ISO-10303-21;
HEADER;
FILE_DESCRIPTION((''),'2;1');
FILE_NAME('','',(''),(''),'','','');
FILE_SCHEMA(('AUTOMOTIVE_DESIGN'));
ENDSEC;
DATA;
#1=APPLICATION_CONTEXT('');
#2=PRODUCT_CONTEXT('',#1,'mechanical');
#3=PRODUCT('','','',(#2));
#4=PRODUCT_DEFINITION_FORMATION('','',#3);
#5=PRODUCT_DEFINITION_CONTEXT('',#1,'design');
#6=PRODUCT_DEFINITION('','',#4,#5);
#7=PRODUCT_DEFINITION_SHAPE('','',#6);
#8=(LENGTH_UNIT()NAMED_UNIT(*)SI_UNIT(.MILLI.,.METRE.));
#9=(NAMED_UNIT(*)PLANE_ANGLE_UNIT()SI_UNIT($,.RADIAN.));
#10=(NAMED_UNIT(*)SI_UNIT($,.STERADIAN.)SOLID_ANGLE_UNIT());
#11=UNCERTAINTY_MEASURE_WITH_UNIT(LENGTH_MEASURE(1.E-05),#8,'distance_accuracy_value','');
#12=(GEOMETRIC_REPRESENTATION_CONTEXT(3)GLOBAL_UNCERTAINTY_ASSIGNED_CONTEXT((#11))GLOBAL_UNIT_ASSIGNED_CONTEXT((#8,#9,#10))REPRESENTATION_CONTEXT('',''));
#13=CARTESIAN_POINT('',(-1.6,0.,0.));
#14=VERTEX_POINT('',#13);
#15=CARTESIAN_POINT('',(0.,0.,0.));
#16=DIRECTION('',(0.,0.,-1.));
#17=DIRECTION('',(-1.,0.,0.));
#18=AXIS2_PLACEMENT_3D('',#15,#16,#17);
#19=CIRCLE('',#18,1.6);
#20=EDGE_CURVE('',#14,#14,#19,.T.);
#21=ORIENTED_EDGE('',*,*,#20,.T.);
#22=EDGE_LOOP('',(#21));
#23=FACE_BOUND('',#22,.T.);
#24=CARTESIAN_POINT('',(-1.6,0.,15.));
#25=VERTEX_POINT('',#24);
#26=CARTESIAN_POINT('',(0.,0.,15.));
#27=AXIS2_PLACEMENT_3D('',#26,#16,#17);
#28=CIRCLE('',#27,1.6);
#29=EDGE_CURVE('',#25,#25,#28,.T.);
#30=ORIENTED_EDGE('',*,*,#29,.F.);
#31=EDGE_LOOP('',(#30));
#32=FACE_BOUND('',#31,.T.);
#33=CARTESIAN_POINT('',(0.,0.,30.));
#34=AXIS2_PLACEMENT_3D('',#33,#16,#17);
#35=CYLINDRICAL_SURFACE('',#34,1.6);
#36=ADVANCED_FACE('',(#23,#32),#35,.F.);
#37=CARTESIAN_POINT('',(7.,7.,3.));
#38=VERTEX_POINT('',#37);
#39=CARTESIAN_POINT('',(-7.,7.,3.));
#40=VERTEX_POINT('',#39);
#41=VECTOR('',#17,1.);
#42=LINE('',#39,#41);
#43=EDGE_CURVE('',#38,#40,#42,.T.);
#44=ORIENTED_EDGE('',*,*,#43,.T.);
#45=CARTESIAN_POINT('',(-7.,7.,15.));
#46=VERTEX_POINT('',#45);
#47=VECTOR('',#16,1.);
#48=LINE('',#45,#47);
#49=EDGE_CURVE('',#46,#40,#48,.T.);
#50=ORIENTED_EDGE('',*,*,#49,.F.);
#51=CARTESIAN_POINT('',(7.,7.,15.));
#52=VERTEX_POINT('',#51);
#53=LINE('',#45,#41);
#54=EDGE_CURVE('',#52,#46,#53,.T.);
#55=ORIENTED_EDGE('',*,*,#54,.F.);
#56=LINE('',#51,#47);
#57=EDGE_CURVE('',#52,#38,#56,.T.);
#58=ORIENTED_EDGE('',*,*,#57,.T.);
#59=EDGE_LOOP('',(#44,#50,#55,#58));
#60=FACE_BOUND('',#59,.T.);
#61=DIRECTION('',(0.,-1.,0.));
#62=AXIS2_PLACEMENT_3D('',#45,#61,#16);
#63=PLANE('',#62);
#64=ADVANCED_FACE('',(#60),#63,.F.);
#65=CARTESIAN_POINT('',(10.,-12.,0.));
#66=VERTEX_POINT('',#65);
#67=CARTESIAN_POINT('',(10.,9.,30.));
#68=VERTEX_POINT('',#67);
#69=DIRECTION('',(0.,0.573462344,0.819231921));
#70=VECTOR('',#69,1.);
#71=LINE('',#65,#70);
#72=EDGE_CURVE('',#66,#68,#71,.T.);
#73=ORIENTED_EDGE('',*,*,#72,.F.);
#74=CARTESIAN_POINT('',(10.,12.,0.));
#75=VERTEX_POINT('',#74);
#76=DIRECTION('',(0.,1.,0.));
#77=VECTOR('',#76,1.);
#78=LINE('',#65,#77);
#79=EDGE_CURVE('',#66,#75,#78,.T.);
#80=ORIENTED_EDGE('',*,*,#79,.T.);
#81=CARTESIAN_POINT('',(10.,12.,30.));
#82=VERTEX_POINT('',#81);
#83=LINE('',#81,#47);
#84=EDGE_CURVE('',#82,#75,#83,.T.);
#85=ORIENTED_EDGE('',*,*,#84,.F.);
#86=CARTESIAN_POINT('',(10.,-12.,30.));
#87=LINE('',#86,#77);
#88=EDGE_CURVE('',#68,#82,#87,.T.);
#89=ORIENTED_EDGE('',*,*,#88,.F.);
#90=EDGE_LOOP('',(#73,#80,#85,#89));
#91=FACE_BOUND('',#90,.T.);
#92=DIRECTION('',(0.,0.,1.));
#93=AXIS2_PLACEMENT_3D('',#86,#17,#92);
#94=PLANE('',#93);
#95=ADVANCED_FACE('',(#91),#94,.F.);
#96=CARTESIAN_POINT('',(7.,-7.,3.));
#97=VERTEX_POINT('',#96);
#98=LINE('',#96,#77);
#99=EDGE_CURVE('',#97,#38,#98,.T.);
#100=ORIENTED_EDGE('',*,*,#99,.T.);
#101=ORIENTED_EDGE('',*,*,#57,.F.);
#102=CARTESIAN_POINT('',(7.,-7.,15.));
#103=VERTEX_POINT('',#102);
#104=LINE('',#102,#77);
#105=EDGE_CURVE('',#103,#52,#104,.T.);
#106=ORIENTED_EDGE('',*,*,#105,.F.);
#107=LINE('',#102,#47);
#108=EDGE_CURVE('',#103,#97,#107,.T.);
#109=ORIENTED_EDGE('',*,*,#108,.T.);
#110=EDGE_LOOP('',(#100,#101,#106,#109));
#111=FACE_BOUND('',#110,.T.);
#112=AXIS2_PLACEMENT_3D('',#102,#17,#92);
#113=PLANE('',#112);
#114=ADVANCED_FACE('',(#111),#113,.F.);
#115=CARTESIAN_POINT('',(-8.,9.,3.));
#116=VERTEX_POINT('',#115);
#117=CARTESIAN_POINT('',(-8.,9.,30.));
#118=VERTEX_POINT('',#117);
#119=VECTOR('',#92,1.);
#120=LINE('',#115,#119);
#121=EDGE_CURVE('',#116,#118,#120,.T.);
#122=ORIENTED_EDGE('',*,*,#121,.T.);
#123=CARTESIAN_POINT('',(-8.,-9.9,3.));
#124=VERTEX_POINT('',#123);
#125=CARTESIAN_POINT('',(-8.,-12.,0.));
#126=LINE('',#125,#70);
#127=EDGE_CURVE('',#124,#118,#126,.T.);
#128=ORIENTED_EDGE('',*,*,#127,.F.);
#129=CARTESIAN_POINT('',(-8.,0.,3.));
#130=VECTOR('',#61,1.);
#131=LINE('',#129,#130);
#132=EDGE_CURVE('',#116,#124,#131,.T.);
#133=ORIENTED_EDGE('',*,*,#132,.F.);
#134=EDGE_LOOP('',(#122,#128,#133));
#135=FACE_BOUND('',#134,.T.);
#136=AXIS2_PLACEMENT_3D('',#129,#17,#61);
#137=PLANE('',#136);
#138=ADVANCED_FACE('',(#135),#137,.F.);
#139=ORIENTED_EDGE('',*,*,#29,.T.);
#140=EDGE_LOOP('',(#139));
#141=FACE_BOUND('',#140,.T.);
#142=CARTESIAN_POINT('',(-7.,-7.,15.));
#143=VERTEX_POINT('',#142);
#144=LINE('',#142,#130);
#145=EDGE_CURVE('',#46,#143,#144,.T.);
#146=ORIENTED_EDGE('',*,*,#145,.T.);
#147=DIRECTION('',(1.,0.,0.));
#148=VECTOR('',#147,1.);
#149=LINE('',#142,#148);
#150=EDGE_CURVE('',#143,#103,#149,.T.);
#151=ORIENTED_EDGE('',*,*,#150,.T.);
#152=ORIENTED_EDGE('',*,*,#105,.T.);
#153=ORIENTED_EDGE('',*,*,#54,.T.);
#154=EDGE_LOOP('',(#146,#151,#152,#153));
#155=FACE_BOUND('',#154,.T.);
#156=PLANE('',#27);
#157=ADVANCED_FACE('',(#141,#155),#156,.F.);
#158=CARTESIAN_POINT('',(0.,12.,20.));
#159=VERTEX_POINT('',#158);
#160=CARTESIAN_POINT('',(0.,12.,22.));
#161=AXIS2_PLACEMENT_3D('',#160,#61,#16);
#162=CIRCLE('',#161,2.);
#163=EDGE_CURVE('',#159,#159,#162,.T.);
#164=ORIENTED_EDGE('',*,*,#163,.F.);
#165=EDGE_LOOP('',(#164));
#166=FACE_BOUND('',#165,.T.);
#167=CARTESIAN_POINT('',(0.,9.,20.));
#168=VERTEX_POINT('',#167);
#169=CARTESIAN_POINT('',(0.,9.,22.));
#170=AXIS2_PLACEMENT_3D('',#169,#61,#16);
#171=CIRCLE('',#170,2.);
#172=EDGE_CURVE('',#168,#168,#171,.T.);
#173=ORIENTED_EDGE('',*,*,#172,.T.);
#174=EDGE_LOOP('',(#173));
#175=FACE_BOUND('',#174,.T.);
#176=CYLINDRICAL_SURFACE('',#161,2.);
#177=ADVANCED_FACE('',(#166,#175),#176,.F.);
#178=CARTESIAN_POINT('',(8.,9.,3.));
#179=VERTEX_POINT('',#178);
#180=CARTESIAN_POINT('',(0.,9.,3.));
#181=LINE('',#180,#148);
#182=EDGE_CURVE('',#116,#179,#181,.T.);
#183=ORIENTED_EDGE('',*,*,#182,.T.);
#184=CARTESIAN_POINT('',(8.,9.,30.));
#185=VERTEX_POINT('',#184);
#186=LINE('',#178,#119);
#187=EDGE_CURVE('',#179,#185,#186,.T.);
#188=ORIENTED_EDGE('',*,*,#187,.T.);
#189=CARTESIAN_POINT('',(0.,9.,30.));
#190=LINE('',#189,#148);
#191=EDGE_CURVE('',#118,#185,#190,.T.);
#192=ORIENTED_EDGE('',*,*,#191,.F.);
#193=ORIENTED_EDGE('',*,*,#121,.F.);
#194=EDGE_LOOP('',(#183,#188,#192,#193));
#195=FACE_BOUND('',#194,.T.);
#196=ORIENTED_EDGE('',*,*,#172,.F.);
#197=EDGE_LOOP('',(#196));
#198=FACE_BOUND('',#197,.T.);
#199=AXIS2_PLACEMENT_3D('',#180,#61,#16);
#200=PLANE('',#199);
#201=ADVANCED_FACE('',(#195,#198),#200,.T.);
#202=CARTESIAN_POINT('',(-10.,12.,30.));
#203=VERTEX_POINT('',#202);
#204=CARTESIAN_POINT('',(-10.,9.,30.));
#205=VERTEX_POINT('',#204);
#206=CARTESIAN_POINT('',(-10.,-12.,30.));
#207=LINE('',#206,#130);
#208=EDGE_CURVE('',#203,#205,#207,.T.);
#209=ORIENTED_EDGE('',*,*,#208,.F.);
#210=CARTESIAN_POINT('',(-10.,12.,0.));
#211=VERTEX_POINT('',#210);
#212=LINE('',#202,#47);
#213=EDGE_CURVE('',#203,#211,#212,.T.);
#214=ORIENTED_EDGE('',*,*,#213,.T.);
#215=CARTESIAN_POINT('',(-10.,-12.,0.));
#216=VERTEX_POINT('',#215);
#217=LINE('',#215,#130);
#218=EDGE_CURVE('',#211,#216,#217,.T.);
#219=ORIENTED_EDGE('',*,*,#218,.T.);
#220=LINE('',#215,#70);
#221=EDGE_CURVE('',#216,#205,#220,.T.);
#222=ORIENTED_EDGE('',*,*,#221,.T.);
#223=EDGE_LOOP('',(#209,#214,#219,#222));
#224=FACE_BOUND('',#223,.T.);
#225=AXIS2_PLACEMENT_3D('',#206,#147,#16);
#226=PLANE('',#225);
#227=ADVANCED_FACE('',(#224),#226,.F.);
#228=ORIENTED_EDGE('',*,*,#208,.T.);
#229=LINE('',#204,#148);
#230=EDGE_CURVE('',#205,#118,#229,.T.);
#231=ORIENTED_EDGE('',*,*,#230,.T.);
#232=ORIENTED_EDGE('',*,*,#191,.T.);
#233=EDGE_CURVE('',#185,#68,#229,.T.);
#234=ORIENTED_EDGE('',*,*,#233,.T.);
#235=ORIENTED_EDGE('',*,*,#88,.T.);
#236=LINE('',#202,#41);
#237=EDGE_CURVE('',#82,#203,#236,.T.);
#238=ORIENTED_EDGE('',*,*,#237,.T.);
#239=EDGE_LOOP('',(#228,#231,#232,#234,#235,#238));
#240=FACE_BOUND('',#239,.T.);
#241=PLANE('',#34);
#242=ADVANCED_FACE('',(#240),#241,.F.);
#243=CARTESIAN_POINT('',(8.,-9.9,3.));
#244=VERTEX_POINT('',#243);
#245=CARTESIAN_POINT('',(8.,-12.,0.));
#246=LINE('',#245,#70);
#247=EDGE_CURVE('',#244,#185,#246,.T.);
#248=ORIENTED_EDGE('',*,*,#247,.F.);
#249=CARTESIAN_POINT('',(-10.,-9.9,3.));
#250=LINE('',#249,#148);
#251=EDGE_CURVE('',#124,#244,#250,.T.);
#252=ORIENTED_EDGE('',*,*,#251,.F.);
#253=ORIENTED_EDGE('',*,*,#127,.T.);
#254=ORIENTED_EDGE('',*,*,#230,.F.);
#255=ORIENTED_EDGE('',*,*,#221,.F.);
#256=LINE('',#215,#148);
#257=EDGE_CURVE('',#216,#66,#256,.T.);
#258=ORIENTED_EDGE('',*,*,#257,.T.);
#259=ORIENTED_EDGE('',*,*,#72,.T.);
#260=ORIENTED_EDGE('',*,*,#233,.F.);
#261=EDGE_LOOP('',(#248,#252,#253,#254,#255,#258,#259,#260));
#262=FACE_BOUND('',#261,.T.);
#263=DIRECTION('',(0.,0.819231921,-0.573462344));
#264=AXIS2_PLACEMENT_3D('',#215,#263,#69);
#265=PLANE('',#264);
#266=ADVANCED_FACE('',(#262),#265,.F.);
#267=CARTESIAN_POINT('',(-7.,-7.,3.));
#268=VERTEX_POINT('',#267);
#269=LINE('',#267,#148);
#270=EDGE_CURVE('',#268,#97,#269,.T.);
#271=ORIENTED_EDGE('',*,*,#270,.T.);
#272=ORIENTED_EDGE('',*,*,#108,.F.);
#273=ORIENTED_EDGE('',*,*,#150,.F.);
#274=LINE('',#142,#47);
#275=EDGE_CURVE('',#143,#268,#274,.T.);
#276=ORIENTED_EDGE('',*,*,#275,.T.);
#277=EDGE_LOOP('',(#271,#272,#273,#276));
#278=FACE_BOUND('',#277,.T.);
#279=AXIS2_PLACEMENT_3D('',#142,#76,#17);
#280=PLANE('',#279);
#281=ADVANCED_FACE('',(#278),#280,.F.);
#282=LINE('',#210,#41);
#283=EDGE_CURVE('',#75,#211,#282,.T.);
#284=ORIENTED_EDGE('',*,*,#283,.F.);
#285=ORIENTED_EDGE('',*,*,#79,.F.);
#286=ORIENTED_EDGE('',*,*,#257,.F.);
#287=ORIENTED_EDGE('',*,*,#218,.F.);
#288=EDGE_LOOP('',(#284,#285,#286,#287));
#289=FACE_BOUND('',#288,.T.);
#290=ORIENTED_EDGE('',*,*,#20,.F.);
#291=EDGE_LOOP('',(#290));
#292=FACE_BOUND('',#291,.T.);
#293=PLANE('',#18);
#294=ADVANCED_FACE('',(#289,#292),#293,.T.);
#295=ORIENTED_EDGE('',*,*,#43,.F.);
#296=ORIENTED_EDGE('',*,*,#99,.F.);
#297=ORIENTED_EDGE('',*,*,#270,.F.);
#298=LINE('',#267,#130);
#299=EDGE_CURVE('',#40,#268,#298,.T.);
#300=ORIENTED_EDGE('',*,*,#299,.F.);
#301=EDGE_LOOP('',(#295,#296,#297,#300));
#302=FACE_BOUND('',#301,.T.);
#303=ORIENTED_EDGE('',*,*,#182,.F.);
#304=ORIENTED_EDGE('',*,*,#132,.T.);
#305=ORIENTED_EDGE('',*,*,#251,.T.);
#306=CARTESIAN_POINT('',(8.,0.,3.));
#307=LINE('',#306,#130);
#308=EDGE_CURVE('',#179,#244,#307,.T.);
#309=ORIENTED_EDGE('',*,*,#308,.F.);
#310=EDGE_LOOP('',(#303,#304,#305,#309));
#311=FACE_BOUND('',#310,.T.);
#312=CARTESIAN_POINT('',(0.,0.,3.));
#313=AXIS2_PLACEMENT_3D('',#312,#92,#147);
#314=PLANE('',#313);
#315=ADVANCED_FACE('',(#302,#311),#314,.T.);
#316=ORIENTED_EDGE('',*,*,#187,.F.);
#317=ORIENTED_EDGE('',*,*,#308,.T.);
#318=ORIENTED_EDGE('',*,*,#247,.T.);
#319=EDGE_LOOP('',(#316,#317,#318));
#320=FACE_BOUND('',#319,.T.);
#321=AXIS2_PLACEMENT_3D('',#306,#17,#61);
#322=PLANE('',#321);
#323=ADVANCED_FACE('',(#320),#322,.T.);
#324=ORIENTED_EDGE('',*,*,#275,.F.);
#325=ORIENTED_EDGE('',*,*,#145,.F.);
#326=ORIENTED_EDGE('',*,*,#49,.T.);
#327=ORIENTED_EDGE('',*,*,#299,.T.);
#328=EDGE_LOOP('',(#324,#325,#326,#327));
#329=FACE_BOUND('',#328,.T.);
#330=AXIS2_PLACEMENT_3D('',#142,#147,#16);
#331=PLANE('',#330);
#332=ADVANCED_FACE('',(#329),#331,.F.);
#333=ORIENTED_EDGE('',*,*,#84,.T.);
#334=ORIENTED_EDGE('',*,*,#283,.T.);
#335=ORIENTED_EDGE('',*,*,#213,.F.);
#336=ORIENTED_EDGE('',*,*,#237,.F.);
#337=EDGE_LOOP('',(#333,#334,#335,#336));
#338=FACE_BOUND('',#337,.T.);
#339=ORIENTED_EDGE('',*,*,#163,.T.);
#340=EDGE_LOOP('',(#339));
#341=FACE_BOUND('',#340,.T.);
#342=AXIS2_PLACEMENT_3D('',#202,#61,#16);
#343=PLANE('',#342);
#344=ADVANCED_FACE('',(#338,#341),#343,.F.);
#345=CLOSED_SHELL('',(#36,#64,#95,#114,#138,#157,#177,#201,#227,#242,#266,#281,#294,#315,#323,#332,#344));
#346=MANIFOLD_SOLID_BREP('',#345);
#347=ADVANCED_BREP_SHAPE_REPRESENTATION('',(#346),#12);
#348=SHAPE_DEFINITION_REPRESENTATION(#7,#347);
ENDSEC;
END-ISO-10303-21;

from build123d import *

# Parameters (mm, degrees)
SKETCH1_W           = 20
SKETCH1_H           = 24
BOSS_EXTRUDE1_DEPTH = 30
CUT_EXTRUDE1_DEPTH  = 21
SKETCH3_W           = 16
SKETCH3_H           = 19
CUT_EXTRUDE2_DEPTH  = 27
SKETCH4_W           = 14
SKETCH4_H           = 14
BOSS_EXTRUDE2_DEPTH = 12
SKETCH5_R           = 1.6
CUT_EXTRUDE3_DEPTH  = 31
SKETCH6_R           = 2
CUT_EXTRUDE4_DEPTH  = 4


with BuildPart() as part:
    # Sketch1 → Boss-Extrude1 (new body)
    with BuildSketch(Plane.XY):
        Rectangle(SKETCH1_W, SKETCH1_H)
    extrude(amount=BOSS_EXTRUDE1_DEPTH)

    # Sketch2 → Cut-Extrude1 (cut, through all)
    with BuildSketch(Plane(origin=(10, 0, 0), x_dir=(0, 0, -1), z_dir=(1, 0, 0))):
        Polygon((0, -12), (-30, 9), (-30, -12), align=None)
    extrude(amount=-CUT_EXTRUDE1_DEPTH, mode=Mode.SUBTRACT)

    # Sketch3 → Cut-Extrude2 (cut)
    with BuildSketch(Plane.XY.offset(30)):
        with Locations((0, -0.5)):
            Rectangle(SKETCH3_W, SKETCH3_H)
    extrude(amount=-CUT_EXTRUDE2_DEPTH, mode=Mode.SUBTRACT)

    # Sketch4 → Boss-Extrude2 (add)
    with BuildSketch(Plane.XY.offset(3)):
        Rectangle(SKETCH4_W, SKETCH4_H)
    extrude(amount=BOSS_EXTRUDE2_DEPTH)

    # Sketch5 → Cut-Extrude3 (cut, through all)
    with BuildSketch(Plane(origin=(0, 0, 0), x_dir=(-1, 0, 0), z_dir=(0, 0, -1))):
        Circle(SKETCH5_R)
    extrude(amount=-CUT_EXTRUDE3_DEPTH, mode=Mode.SUBTRACT)

    # Sketch6 → Cut-Extrude4 (cut, through all)
    with BuildSketch(Plane.XZ.offset(-9)):
        with Locations((0, 22)):
            Circle(SKETCH6_R)
    extrude(amount=-CUT_EXTRUDE4_DEPTH, mode=Mode.SUBTRACT)


solid = part.part
